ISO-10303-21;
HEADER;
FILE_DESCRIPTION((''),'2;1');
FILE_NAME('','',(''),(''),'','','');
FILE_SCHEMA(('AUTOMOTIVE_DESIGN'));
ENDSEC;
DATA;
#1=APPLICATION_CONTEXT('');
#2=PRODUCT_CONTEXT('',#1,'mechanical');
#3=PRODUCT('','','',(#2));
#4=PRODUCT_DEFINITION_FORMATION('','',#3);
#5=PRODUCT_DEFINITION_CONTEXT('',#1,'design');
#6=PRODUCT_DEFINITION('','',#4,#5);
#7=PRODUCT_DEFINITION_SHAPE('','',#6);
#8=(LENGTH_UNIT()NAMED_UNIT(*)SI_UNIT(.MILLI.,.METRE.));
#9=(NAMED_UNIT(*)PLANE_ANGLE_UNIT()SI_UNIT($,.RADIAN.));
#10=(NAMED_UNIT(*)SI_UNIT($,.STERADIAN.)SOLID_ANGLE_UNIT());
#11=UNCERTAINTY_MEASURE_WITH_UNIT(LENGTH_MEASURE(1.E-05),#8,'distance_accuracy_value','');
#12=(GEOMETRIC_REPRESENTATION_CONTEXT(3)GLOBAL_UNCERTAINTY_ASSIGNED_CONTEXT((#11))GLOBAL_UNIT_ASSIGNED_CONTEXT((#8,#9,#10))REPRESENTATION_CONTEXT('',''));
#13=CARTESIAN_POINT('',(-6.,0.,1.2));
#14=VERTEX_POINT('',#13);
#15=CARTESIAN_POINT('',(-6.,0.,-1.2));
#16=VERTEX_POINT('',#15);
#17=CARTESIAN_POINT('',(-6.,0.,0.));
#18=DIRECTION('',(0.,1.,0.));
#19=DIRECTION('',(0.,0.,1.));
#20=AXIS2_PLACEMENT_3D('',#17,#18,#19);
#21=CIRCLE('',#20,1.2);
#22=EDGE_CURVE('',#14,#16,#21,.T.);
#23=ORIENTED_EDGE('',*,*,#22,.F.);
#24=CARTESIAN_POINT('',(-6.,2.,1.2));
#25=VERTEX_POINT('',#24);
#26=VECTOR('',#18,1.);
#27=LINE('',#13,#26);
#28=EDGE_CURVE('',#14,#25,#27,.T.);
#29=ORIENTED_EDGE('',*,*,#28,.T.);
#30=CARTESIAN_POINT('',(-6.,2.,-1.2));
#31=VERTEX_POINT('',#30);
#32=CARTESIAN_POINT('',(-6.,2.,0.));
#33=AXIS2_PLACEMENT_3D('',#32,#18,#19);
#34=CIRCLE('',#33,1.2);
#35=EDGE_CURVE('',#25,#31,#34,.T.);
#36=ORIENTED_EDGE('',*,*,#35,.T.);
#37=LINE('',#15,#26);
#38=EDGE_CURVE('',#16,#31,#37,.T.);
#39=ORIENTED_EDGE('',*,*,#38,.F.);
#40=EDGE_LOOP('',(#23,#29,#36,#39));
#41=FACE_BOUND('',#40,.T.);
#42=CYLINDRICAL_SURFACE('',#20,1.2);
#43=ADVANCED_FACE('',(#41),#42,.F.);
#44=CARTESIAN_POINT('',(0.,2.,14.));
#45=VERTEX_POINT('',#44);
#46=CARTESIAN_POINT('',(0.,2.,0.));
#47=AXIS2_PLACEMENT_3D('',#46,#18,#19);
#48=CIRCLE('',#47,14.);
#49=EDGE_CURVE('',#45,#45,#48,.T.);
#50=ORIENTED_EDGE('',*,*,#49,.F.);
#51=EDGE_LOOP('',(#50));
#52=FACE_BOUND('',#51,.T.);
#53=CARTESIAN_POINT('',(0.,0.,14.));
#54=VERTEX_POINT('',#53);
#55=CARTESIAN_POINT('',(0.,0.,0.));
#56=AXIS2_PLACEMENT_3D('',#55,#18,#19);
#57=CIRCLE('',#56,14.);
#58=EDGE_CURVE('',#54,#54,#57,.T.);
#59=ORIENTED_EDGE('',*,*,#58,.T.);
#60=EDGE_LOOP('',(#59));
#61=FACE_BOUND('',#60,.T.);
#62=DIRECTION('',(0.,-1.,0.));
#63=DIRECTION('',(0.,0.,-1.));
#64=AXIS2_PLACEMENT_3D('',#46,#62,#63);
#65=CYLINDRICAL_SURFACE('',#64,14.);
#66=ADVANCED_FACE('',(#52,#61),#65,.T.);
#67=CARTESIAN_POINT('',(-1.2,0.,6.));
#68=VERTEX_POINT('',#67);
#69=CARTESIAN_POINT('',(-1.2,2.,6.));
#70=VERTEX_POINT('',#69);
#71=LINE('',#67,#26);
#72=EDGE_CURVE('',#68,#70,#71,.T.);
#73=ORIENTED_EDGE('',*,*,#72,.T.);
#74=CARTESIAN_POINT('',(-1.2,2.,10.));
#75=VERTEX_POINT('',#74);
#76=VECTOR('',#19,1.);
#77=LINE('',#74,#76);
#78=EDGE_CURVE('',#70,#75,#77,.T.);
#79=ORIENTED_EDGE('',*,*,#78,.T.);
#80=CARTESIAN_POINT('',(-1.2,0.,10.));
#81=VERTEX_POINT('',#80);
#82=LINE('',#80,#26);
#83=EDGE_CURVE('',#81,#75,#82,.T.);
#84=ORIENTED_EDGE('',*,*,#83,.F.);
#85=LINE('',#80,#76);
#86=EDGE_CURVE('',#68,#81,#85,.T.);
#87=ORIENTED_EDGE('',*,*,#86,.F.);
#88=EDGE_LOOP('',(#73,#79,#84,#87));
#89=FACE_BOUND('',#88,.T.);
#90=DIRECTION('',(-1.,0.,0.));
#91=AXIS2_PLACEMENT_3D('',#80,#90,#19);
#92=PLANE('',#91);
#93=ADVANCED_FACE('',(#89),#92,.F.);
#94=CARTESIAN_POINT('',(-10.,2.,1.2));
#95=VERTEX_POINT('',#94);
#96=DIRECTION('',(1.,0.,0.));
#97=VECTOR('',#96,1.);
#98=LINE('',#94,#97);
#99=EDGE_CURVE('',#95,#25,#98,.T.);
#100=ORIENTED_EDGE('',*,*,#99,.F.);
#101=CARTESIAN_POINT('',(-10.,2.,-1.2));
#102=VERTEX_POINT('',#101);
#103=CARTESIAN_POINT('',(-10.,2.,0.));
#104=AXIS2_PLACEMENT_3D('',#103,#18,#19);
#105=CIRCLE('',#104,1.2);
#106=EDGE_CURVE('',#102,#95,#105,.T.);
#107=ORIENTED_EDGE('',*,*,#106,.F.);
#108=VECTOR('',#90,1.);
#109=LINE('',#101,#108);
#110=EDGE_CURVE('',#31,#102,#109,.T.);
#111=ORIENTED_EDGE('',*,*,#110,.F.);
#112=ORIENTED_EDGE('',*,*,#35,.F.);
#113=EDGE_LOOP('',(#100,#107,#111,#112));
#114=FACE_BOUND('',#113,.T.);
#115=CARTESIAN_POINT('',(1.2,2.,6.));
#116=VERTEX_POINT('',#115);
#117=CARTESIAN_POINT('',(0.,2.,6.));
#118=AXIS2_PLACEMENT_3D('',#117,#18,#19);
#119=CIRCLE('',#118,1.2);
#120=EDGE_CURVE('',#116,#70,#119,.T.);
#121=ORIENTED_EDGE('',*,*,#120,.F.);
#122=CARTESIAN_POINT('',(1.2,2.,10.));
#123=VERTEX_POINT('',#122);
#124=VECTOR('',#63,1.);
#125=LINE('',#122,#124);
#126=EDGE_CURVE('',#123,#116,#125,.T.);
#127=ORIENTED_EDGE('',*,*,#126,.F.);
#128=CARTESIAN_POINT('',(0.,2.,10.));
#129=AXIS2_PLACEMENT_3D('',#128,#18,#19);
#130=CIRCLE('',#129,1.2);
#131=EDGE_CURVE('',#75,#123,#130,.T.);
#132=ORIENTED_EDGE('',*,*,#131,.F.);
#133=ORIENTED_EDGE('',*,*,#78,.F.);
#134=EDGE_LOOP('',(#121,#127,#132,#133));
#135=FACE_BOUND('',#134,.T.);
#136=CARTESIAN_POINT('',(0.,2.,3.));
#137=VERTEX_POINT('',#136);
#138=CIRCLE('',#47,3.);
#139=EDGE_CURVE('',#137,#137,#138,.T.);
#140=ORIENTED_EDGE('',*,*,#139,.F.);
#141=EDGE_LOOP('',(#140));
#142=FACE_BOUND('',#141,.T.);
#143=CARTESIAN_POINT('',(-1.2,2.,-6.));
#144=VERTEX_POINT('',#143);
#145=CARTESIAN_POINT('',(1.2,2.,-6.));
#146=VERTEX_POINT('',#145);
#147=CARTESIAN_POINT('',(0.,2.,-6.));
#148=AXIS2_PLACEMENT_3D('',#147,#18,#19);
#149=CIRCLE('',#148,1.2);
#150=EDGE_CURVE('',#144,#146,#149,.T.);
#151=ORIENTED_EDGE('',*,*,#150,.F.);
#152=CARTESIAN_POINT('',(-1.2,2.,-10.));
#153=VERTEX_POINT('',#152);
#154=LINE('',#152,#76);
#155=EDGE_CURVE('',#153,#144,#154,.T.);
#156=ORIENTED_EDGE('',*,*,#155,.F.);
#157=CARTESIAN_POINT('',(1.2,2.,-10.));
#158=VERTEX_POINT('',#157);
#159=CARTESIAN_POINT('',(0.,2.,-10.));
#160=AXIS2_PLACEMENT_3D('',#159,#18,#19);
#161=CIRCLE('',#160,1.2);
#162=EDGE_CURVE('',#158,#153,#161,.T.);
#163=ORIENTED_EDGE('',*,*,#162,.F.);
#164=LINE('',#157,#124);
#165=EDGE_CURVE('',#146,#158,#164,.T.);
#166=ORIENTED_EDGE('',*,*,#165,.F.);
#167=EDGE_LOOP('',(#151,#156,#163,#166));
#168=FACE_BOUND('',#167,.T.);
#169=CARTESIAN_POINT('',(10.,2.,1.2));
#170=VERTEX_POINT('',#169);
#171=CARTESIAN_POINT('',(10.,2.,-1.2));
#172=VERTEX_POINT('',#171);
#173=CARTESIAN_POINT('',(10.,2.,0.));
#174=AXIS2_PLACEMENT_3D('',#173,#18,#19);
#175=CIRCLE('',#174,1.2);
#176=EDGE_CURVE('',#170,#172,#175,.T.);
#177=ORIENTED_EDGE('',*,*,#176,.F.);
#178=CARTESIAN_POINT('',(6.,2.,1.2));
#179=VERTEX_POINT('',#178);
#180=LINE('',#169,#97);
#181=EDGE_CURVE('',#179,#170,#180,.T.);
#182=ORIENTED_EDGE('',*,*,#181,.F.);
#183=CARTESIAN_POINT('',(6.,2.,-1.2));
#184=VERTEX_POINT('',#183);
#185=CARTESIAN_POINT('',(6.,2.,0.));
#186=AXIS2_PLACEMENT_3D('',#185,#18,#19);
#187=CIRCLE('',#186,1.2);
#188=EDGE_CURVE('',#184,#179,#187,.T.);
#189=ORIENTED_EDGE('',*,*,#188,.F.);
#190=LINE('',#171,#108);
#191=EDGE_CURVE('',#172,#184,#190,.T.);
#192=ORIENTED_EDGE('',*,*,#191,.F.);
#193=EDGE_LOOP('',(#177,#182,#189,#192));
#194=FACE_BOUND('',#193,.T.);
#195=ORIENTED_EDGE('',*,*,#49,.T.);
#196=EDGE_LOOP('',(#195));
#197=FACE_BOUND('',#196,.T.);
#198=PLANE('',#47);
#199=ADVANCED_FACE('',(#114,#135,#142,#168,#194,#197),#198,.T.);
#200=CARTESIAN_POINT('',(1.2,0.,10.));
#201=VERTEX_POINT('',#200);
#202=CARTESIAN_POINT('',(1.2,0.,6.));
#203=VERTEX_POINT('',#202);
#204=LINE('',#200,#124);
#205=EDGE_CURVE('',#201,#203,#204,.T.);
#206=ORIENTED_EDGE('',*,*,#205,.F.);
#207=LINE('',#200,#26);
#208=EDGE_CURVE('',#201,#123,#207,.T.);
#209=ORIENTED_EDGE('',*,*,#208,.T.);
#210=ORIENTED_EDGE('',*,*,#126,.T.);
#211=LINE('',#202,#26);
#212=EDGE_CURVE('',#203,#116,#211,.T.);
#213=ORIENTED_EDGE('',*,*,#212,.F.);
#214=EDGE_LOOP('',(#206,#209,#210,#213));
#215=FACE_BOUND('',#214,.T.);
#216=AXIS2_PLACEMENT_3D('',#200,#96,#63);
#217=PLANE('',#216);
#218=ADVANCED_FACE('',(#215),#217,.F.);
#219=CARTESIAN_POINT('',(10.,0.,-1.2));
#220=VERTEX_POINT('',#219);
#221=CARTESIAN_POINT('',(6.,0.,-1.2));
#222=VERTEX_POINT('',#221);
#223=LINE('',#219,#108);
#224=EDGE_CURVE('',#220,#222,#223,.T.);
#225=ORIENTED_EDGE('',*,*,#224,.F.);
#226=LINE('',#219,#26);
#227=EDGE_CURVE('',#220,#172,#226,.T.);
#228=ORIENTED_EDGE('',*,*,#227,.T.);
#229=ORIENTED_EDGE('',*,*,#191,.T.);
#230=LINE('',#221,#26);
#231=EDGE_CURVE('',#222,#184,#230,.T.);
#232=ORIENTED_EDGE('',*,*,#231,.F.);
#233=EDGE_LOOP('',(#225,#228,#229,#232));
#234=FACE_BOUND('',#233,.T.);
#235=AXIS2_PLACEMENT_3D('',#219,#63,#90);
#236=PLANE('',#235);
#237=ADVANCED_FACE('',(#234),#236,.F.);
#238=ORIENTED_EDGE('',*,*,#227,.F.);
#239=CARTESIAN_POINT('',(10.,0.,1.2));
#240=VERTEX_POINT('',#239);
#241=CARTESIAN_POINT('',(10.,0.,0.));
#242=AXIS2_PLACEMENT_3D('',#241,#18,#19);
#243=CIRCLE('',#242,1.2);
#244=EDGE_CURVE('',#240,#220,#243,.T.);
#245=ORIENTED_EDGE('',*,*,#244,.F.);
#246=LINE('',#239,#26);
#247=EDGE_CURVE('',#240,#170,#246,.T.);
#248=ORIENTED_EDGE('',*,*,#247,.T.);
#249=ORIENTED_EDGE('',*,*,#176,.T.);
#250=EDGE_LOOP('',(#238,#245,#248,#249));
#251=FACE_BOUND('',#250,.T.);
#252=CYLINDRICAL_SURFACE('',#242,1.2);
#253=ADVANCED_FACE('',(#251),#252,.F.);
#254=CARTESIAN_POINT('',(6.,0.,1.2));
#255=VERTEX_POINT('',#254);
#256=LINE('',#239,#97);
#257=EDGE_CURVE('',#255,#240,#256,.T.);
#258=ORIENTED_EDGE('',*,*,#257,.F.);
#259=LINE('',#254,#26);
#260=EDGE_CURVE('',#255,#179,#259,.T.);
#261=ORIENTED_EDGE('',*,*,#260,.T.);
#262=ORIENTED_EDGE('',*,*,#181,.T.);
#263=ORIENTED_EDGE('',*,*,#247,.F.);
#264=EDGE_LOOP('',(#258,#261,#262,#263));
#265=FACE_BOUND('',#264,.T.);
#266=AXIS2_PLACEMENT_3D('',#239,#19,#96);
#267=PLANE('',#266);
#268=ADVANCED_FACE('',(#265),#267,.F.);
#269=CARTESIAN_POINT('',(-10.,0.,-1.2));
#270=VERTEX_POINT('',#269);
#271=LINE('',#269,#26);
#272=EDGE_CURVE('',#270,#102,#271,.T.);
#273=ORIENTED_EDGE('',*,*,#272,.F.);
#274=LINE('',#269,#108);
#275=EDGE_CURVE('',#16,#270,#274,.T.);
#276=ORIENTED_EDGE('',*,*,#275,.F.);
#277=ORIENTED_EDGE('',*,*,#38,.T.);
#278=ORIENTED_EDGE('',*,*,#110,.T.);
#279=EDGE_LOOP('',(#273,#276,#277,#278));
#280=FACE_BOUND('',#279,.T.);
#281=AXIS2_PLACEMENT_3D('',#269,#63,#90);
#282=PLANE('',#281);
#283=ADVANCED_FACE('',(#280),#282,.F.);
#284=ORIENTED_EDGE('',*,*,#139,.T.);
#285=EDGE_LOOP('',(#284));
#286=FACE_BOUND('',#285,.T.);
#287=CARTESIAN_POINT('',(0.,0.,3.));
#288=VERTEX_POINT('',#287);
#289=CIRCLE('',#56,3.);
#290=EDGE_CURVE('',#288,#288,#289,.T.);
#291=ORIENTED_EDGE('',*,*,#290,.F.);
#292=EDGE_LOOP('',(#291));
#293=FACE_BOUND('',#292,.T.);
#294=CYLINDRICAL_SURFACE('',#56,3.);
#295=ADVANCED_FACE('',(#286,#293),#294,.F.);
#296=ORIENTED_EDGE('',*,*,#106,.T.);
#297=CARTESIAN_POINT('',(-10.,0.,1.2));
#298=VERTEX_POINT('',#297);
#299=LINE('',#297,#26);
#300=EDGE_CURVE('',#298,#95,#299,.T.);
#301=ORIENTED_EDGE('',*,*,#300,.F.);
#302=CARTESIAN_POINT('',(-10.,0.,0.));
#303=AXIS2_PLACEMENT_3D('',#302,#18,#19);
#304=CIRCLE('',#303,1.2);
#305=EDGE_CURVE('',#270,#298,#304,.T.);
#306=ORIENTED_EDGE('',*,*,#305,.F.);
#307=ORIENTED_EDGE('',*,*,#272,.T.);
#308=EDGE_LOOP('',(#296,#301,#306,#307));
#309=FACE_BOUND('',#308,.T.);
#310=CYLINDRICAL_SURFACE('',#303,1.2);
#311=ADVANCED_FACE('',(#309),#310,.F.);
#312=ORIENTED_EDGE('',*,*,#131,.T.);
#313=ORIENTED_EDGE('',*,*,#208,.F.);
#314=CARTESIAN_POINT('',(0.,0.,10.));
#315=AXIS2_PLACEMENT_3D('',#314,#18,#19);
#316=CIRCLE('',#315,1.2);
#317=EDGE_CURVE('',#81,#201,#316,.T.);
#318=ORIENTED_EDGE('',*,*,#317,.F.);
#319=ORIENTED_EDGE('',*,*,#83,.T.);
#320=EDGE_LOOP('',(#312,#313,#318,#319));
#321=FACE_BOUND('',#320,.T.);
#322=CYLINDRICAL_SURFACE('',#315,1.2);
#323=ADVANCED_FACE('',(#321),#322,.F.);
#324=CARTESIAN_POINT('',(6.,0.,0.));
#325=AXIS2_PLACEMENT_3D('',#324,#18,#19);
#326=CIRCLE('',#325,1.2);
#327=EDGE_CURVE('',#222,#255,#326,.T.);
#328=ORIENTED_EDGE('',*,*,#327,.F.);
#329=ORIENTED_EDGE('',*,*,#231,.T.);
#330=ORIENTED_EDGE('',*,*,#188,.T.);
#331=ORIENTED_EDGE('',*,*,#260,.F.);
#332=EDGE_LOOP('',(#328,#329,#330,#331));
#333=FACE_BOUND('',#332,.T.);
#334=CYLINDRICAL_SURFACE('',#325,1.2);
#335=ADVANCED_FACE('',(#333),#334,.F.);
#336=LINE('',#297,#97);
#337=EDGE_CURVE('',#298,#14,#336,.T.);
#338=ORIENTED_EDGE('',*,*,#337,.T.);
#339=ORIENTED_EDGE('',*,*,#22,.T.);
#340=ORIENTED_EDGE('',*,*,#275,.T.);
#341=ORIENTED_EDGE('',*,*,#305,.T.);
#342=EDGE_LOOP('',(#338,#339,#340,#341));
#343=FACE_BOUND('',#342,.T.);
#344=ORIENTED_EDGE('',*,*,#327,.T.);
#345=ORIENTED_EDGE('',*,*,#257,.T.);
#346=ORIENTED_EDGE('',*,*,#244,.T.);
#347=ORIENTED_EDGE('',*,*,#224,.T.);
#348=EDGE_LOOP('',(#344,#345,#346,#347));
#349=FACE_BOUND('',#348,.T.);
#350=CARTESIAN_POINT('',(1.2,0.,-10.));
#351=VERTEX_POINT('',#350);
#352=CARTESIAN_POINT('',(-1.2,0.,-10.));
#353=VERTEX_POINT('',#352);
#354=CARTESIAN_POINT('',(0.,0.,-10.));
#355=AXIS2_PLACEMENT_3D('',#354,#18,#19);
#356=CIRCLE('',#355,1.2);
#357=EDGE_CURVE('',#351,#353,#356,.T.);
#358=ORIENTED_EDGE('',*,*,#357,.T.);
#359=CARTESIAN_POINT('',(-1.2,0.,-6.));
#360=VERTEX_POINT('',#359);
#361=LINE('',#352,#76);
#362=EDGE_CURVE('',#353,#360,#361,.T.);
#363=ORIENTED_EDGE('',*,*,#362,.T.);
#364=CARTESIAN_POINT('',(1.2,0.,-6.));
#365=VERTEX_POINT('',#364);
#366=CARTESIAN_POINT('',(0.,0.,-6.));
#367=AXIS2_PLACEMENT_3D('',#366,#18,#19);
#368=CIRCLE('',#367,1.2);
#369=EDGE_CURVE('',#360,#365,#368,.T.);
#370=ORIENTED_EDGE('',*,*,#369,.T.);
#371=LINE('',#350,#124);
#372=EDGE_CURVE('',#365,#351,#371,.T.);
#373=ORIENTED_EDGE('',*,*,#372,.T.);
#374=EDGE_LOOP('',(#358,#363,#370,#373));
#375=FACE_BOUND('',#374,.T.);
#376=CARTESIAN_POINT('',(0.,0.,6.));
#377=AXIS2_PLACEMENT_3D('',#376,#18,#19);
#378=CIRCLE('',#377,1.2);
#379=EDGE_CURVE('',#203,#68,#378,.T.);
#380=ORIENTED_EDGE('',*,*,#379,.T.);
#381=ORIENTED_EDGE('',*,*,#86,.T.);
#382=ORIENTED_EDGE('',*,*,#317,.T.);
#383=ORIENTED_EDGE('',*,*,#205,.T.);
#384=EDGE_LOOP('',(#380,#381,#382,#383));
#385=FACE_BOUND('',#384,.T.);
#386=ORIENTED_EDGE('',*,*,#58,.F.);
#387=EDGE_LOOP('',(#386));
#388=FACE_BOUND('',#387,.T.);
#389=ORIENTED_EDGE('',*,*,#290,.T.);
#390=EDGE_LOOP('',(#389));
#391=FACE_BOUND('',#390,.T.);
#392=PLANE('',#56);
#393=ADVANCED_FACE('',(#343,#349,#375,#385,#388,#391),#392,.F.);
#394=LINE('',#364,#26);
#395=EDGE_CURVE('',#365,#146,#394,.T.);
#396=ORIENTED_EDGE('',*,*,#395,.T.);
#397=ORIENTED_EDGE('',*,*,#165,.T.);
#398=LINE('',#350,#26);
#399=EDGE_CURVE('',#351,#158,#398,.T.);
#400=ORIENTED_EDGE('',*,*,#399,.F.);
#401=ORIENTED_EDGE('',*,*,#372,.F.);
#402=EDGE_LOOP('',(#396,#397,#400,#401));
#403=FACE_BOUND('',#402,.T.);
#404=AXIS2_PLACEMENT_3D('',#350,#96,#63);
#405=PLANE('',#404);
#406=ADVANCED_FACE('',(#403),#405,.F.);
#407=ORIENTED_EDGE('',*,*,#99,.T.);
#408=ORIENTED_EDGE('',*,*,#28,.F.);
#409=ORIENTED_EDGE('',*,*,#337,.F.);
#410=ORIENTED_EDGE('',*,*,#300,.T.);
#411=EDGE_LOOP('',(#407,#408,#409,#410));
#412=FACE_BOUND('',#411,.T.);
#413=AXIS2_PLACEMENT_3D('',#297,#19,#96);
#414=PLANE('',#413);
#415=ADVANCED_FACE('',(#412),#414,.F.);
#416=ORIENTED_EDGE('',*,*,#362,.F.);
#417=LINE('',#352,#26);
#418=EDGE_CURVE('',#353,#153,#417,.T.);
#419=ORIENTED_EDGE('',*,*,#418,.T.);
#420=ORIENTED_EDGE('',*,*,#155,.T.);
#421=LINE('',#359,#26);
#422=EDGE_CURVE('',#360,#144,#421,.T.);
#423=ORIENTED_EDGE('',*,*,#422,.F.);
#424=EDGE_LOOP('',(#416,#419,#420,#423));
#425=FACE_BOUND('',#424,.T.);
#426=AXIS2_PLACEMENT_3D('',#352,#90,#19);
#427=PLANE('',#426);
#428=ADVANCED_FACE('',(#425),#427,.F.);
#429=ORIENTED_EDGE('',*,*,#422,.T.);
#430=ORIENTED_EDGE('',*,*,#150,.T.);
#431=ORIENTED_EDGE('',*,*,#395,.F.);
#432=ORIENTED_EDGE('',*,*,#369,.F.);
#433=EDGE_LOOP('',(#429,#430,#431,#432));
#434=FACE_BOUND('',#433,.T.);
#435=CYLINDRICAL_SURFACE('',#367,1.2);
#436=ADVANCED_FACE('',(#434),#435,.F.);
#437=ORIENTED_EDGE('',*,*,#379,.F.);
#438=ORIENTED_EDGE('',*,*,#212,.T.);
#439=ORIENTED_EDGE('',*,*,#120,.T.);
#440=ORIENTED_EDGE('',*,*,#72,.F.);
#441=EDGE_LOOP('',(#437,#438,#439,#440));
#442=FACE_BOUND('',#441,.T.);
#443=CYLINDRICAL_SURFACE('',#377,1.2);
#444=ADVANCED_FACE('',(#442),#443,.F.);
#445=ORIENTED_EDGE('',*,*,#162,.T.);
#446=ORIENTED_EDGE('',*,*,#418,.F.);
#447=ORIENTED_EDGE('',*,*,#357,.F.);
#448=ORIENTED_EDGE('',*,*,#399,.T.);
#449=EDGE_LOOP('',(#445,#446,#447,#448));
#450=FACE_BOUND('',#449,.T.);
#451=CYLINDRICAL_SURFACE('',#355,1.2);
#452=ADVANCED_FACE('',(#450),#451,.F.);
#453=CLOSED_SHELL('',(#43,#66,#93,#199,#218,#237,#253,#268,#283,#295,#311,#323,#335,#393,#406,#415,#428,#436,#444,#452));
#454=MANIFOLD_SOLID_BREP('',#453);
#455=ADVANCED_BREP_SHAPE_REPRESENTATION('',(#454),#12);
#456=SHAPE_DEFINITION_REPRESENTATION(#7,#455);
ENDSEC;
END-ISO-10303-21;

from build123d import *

# Parameters (mm, degrees)
SKETCH1_R           = 14
BOSS_EXTRUDE1_DEPTH = 2
SKETCH2_R           = 3
CUT_EXTRUDE1_DEPTH  = 20.899748742


with BuildPart() as part:
    # Sketch1 → Boss-Extrude1 (new body)
    with BuildSketch(Plane(origin=(0, 0, 0), x_dir=(1, 0, 0), z_dir=(0, 1, 0))):
        with Locations(Location((0, 0, 0), (0, 0, 270))):
            Circle(SKETCH1_R)
    extrude(amount=BOSS_EXTRUDE1_DEPTH)

    # Sketch2 → Cut-Extrude1 (cut, through all)
    with BuildSketch(Plane(origin=(0, 2, 0), x_dir=(1, 0, 0), z_dir=(0, 1, 0))):
        with Locations(Location((0, 0, 0), (0, 0, 270))):
            Circle(SKETCH2_R)
        with BuildLine():
            Line((1.2, 10), (1.2, 6))
            ThreePointArc((1.2, 6), (0, 4.8), (-1.2, 6))
            Line((-1.2, 6), (-1.2, 10))
            ThreePointArc((-1.2, 10), (0, 11.2), (1.2, 10))
        make_face()
        with BuildLine():
            Line((10, -1.2), (6, -1.2))
            ThreePointArc((6, -1.2), (4.8, 0), (6, 1.2))
            Line((6, 1.2), (10, 1.2))
            ThreePointArc((10, 1.2), (11.2, 0), (10, -1.2))
        make_face()
        with BuildLine():
            Line((-1.2, -10), (-1.2, -6))
            ThreePointArc((-1.2, -6), (0, -4.8), (1.2, -6))
            Line((1.2, -6), (1.2, -10))
            ThreePointArc((1.2, -10), (0, -11.2), (-1.2, -10))
        make_face()
        with BuildLine():
            Line((-10, 1.2), (-6, 1.2))
            ThreePointArc((-6, 1.2), (-4.8, 0), (-6, -1.2))
            Line((-6, -1.2), (-10, -1.2))
            ThreePointArc((-10, -1.2), (-11.2, 0), (-10, 1.2))
        make_face()
    extrude(amount=-CUT_EXTRUDE1_DEPTH, mode=Mode.SUBTRACT)


solid = part.part
